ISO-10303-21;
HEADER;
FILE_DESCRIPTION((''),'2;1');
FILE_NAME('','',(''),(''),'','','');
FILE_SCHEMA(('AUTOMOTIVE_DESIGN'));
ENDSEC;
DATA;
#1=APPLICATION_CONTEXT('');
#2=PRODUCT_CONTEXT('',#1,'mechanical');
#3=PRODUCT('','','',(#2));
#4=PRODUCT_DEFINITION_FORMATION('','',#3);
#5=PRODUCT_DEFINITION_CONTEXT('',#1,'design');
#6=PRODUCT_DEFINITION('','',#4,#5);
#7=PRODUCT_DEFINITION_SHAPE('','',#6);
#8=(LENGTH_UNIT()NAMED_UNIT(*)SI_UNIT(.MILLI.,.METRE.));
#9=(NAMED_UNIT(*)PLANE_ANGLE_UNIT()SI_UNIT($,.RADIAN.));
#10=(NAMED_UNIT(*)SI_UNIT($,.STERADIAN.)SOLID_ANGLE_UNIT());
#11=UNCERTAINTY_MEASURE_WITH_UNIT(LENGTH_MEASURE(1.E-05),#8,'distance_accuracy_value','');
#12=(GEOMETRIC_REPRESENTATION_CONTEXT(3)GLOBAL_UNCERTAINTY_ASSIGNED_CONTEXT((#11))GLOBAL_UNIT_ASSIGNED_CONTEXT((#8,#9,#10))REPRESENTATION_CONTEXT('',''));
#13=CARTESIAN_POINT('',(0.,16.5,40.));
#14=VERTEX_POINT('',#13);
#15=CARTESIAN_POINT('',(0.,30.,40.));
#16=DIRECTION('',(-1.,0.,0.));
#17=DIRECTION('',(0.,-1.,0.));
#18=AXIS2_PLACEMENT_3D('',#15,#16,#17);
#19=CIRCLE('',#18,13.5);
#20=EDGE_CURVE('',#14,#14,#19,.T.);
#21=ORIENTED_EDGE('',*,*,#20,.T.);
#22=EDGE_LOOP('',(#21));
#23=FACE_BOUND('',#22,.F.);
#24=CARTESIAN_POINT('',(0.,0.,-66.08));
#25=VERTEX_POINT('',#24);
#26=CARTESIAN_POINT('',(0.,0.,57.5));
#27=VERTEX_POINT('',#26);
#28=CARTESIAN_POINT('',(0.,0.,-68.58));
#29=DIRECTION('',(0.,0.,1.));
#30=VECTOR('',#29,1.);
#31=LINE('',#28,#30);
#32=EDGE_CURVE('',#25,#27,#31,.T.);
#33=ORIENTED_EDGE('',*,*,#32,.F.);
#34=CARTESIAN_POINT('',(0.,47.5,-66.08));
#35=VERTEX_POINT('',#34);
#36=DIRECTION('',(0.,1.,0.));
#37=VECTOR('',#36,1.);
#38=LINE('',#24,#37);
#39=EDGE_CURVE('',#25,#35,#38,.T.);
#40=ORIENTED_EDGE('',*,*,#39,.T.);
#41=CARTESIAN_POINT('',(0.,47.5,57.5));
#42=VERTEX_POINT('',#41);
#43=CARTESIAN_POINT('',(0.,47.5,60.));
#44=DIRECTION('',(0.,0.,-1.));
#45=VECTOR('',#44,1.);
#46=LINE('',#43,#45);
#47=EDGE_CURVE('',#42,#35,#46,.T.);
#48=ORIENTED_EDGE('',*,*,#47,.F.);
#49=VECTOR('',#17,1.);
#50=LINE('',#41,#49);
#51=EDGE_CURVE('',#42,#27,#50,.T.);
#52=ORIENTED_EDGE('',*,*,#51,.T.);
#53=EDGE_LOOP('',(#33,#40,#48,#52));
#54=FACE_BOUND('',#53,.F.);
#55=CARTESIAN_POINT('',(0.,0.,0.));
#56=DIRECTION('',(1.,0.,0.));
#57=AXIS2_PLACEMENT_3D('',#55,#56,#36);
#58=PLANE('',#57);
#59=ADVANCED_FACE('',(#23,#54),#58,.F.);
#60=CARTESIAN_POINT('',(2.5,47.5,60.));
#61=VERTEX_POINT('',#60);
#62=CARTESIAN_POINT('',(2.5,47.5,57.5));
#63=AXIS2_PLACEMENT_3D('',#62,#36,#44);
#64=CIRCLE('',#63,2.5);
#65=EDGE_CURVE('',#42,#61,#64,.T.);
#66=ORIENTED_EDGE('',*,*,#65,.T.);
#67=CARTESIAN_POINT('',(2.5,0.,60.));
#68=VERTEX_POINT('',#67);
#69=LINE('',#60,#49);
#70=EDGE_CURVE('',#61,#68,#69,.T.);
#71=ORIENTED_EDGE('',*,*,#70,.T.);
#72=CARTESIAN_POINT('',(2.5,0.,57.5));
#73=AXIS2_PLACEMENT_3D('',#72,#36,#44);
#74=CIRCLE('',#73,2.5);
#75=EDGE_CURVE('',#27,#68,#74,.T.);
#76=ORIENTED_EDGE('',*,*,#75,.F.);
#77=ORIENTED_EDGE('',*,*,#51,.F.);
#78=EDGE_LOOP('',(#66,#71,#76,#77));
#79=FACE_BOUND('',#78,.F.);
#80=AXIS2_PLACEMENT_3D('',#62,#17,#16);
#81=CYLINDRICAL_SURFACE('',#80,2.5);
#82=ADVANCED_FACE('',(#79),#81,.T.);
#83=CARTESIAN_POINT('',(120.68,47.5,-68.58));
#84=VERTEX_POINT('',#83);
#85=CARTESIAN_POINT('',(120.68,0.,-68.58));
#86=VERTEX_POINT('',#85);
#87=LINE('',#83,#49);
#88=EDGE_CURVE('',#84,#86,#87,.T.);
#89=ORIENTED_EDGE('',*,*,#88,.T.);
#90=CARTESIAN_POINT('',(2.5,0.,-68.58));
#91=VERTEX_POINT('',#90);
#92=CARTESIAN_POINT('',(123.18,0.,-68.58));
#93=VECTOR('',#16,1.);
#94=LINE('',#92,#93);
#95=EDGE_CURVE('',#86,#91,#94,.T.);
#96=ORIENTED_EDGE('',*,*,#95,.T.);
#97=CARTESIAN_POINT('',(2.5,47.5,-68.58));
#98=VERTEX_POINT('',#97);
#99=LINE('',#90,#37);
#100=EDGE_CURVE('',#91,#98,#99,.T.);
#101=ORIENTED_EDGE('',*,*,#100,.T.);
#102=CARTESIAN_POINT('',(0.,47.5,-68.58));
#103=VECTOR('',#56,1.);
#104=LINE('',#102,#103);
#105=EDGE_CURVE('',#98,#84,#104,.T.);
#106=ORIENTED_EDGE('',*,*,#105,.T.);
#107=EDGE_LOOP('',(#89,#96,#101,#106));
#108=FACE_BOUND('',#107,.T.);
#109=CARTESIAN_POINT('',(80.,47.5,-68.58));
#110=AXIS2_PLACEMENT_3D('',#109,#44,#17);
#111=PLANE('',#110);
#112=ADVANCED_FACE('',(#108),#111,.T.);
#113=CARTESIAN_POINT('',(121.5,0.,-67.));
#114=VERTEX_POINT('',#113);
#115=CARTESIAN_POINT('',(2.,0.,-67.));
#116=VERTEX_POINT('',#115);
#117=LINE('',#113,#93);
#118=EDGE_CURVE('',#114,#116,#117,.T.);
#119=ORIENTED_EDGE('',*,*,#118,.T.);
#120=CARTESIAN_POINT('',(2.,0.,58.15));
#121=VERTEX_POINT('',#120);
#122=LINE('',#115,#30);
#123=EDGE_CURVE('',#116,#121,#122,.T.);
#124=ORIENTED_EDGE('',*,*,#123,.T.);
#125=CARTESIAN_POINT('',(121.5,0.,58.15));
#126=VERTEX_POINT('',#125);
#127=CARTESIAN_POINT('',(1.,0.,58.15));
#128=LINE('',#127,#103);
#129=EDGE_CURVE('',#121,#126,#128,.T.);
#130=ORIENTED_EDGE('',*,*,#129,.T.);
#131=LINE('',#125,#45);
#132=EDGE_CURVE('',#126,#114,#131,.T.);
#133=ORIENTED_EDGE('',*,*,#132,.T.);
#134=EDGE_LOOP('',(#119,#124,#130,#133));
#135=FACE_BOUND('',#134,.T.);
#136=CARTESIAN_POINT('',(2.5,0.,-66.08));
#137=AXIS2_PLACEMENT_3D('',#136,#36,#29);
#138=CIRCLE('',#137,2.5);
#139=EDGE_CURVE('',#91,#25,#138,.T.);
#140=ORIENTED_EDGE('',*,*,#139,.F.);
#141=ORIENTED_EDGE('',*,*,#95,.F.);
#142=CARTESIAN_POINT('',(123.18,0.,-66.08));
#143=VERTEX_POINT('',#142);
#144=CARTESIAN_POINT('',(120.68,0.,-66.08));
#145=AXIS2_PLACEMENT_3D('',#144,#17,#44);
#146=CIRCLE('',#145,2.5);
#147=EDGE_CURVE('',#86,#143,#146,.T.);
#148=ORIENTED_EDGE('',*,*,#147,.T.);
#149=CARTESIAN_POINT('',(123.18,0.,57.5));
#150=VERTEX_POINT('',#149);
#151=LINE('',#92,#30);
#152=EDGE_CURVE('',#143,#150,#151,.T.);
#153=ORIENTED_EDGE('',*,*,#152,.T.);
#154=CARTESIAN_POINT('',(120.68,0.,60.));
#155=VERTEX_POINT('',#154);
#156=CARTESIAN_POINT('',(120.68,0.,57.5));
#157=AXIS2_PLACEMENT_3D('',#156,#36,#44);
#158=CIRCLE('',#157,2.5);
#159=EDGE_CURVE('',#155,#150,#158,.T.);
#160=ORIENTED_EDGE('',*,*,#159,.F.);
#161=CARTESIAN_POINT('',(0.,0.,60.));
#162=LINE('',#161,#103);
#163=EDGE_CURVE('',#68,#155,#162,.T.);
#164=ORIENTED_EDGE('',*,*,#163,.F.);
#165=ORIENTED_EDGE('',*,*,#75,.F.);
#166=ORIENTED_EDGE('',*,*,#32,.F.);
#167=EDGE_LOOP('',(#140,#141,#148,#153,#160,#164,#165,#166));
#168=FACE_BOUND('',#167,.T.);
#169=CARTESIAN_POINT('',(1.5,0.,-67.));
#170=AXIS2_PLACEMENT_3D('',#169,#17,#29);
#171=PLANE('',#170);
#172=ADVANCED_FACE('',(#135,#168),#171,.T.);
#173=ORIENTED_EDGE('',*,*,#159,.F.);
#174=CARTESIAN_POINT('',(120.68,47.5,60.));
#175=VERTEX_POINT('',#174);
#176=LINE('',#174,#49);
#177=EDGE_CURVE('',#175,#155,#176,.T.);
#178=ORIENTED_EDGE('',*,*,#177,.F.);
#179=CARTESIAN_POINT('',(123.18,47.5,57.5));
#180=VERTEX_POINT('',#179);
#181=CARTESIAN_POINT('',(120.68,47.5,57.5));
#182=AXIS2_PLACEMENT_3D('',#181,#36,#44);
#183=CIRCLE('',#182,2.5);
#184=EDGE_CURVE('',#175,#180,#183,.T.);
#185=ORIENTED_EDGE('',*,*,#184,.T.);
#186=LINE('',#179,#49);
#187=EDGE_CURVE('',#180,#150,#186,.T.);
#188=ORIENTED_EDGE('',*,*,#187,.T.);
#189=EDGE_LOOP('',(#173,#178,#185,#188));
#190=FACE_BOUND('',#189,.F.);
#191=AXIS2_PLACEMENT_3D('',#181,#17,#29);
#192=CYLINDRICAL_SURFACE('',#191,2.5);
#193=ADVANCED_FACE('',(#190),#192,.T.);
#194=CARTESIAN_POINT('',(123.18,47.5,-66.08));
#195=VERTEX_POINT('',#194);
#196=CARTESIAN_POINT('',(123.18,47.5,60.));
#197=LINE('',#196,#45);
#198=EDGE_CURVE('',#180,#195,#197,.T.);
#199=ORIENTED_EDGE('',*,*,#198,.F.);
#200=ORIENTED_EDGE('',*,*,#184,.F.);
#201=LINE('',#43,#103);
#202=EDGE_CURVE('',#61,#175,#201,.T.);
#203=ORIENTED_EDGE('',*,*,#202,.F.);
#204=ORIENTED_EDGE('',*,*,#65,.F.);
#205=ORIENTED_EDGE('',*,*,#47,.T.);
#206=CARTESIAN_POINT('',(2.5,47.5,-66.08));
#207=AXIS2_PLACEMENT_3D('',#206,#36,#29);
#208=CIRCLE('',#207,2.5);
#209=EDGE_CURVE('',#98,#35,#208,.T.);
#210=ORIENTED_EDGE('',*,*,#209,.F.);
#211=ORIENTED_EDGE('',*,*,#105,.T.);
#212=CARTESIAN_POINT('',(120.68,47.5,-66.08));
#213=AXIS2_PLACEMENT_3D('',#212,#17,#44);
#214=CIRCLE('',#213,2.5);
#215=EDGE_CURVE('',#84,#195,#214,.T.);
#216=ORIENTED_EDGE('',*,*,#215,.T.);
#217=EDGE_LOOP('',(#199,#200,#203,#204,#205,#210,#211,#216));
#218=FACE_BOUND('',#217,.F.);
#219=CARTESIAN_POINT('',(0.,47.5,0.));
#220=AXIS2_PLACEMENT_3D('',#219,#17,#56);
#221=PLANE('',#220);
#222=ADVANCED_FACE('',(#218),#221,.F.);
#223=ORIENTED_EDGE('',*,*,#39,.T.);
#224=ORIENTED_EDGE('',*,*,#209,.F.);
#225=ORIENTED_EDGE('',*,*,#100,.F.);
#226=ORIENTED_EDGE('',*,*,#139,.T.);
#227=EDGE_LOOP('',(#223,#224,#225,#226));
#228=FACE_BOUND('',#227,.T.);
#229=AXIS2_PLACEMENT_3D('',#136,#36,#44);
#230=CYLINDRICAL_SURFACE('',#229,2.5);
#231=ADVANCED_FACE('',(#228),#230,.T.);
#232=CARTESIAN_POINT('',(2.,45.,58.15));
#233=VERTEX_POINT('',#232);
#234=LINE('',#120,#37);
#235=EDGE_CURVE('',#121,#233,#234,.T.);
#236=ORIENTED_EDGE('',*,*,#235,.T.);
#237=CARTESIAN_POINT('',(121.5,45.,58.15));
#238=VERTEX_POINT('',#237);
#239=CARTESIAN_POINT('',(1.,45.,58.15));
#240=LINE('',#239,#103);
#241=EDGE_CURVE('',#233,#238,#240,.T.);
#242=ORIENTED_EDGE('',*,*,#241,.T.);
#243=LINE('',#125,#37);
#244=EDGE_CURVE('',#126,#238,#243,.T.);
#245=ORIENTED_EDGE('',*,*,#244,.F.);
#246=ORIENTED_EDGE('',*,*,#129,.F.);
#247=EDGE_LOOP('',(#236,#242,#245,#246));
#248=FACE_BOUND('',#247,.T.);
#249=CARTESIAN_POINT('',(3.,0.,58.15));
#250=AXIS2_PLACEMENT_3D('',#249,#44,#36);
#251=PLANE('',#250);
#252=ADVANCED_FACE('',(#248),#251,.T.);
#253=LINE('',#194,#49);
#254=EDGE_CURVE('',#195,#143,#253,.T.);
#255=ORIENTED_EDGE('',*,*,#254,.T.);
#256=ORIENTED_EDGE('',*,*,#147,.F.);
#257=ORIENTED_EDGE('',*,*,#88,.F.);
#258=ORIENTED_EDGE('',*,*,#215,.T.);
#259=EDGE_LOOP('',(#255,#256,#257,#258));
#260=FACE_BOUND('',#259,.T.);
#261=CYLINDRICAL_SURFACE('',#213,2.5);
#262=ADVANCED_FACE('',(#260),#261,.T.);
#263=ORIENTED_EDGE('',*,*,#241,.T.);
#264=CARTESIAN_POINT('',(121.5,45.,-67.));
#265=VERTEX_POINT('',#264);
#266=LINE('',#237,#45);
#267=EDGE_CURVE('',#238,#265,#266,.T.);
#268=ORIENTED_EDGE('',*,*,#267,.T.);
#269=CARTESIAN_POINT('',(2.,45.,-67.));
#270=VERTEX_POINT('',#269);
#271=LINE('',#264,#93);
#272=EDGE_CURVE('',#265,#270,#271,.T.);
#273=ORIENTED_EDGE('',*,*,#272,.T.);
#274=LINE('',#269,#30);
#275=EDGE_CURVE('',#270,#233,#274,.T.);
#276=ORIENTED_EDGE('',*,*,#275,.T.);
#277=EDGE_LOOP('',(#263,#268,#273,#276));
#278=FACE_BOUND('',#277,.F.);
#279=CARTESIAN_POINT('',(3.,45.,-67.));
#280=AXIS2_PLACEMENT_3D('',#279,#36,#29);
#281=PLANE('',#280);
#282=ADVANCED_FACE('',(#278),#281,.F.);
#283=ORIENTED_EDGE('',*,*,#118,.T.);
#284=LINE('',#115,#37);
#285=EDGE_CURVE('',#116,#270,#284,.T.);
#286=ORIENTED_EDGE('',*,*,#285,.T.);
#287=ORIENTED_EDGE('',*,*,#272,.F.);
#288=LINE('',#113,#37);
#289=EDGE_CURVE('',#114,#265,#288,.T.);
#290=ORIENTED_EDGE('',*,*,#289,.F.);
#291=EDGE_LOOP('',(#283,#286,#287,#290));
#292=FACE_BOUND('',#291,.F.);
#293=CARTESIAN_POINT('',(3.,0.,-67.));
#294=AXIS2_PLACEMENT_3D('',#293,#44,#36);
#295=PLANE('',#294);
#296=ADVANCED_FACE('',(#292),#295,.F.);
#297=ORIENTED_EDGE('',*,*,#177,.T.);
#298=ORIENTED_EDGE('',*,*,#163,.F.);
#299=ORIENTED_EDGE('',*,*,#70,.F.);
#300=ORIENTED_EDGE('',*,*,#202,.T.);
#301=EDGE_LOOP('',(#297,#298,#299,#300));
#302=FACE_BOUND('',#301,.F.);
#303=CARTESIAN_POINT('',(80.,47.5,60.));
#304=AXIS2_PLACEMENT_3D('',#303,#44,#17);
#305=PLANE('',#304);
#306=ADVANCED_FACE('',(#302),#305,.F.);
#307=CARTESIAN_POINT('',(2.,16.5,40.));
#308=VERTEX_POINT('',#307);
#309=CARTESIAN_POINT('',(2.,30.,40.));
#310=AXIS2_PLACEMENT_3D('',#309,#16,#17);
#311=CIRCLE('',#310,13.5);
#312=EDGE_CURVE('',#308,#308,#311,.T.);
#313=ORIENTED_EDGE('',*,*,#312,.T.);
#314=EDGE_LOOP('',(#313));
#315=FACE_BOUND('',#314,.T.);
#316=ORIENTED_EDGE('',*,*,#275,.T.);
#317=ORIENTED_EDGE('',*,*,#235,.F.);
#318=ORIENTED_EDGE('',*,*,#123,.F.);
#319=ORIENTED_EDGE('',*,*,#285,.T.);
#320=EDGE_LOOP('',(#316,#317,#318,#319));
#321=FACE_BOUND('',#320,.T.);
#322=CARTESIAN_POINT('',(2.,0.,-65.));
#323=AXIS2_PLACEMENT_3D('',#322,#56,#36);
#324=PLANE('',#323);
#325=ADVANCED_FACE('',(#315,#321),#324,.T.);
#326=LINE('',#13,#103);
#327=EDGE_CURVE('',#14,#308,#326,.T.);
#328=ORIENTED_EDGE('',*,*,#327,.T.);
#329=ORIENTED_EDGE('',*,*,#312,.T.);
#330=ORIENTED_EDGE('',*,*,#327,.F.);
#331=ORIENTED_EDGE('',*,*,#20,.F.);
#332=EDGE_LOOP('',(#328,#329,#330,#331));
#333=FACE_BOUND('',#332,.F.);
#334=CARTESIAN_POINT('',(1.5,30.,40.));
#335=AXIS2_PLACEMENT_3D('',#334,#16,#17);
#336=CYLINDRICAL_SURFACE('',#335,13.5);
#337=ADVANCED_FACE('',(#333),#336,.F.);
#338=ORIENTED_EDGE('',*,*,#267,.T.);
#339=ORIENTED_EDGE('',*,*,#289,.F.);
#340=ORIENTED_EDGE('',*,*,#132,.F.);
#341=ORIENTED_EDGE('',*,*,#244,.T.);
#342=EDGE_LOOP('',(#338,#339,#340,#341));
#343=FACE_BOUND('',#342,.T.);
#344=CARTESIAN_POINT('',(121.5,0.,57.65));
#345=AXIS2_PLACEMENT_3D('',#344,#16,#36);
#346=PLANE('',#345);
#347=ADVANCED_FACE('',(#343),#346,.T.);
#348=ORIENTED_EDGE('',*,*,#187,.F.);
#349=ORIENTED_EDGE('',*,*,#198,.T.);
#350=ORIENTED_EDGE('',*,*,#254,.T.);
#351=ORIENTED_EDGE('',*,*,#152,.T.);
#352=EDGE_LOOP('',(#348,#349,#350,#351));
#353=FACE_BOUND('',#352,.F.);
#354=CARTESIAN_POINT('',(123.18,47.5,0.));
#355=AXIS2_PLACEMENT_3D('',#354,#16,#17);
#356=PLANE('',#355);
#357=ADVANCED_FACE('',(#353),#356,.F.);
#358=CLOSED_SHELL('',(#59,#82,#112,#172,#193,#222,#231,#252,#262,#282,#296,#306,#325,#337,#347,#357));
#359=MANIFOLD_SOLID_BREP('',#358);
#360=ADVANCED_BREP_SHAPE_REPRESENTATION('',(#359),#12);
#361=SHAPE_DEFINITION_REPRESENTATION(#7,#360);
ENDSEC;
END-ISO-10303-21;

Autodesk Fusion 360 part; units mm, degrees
sketch "Sketch1" plane through (0, 0, 0) normal (0, 1, 0) x (1, 0, 0) in component "Box"
  line L0 (0, 0) -> (80, 0)
  line L1 (80, 0) -> (80, -60)
  line L2 (80, -60) -> (0, -60)
  line L3 (0, -60) -> (0, 0)
  dimension "d1" = 60
  dimension "d2" = 80
extrude "Extrude1" add sketch "Sketch1" along normal blind 47.5 in component "Box"
sketch "Sketch2" plane through (0, 0, 0) normal (0, 1, 0) x (1, 0, 0) in component "Box"
  line L0 (75, -5) -> (5, -5)
  line L1 (5, -5) -> (5, -55)
  line L2 (5, -55) -> (75, -55)
  line L3 (75, -55) -> (75, -5)
  line L4 (75, -5) -> (5, -55) construction
  line L5 (5, -5) -> (75, -55) construction
  line L6 (0, 0) -> (0, -60)
  point P0 (40, -30)
  point P1 (80, 0)
  point P2 (80, -60)
  dimension "d5" = 70
  dimension "d6" = 50
  dimension "d7" = 60
  dimension "d8" = 60
extrude "Extrude2" cut sketch "Sketch2" along normal blind 45 in component "Box"
fillet "Fillet1" radius 2.5 2 edges at (0, 23.75, 60) (0, 23.75, 0) in component "Box"
fillet "Fillet2" radius 2.5 2 edges at (80, 23.75, 60) (80, 23.75, 0) in component "Box"
sketch "Sketch3" plane through (0, 0, 0) normal (-1, 0, 0) x (0, -1, 0) in component "Box"
  line L0 (-47.5, 2.5) -> (0, 2.5)
  line L1 (0, 2.5) -> (0, 57.5)
  line L2 (0, 57.5) -> (-47.5, 57.5)
  line L3 (-47.5, 57.5) -> (-47.5, 2.5)
  circle A0 centre (-30, 40) radius 13.335
  dimension "d13" = 26.67
extrude "Extrude3" cut sketch "Sketch3" against normal blind 30 contours A0 in component "Box"
delete_face "DeleteFace1" 1 faces at (1.6667, 16.7313, 38.6723) in component "Box"
sketch "Sketch1 (2)" plane through (0, 0, 0) normal (-1, 0, 0) x (0, -1, 0)
  line L0 (-47.5, 2.5) -> (0, 2.5)
  line L1 (0, 2.5) -> (0, 57.5)
  line L2 (0, 57.5) -> (-47.5, 57.5)
  line L3 (-47.5, 57.5) -> (-47.5, 2.5)
  circle A0 centre (-30, 40) radius 13.5
  dimension "d16" = 27
extrude "Extrude4" cut sketch "Sketch1 (2)" against normal blind 50 contours A0 in component "Box"
delete_face "DeleteFace2" 1 faces at (78.4292, 15.8333, 0.1791) in component "Box"
delete_face "DeleteFace3" 1 faces at (77.9731, 15.8333, 59.9548) in component "Box"
extrude "Extrude5" add 1 faces at (80, 15.8333, 20) along direction (1, 0, 0) blind 43.18 in component "Box"
extrude "Extrude6" cut 1 faces at (75, 15, 38.3333) along direction (1, 0, 0) blind 45 in component "Box"
delete_face "DeleteFace4" 1 faces at (0.0028, 15.8333, 2.381) in component "Box"
delete_face "DeleteFace5" 1 faces at (2.381, 15.8333, 59.9972) in component "Box"
extrude "Extrude7" add 1 faces at (41.06, 31.6667, 0) along direction (0, 0, -1) blind 68.58 in component "Box"
extrude "Extrude8" cut 1 faces at (43.3333, 15, 5) along direction (0, 0, -1) blind 70 in component "Box"
extrude "Extrude9" cut 1 faces at (5, 24.6637, -34.4874) along direction (-1, 0, 0) blind 2 in component "Box"
extrude "Extrude10" cut 1 faces at (81, 30, 55) along direction (0, 0, 1) blind 2 in component "Box"
fillet "Fillet3" radius 2.5 1 edges at (123.18, 23.75, -68.58) in component "Box"
fillet "Fillet4" radius 2.5 1 edges at (0, 23.75, -68.58) in component "Box"
fillet "Fillet5" radius 2.5 1 edges at (0, 23.75, 60) in component "Box"
fillet "Fillet6" radius 2.5 1 edges at (123.18, 23.75, 60) in component "Box"
extrude "Extrude11" cut 1 faces at (42, 15, -65) along direction (0, 0, -1) blind 2 in component "Box"
extrude "Extrude12" cut 1 faces at (81, 30, 57) along direction (0, 0, 1) blind 0.15 in component "Box"
extrude "Extrude13" cut 1 faces at (81, 30, 57.15) along direction (0, 0, 1) blind 0.5 in component "Box"
extrude "Extrude14" cut 1 faces at (81, 30, 57.65) along direction (0, 0, 1) blind 0.5 in component "Box"
extrude "Extrude15" cut 1 faces at (120, 15, -25.2833) along direction (1, 0, 0) blind 0.5 in component "Box"
extrude "Extrude16" cut 1 faces at (120.5, 15, -25.2833) along direction (1, 0, 0) blind 0.5 in component "Box"
extrude "Extrude17" cut 1 faces at (121, 15, -25.2833) along direction (1, 0, 0) blind 0.3 in component "Box"
extrude "Extrude18" cut 1 faces at (121.3, 15, -25.2833) along direction (1, 0, 0) blind 0.2 in component "Box"
extrude "Extrude19" cut 1 faces at (3, 24.6637, -35.8208) along direction (-1, 0, 0) blind 2 in component "Box"
extrude "Extrude20" add 1 faces at (1, 24.6637, -35.8208) along direction (1, 0, 0) blind 0.5 in component "Box"
extrude "Extrude21" add 1 faces at (1.5, 24.6637, -35.8208) along direction (1, 0, 0) blind 0.5 in component "Box"
component "Box" placed x (1, 0, 0) y (0, 1, 0) z (0, 0, 1) at (0, 0, 0)
